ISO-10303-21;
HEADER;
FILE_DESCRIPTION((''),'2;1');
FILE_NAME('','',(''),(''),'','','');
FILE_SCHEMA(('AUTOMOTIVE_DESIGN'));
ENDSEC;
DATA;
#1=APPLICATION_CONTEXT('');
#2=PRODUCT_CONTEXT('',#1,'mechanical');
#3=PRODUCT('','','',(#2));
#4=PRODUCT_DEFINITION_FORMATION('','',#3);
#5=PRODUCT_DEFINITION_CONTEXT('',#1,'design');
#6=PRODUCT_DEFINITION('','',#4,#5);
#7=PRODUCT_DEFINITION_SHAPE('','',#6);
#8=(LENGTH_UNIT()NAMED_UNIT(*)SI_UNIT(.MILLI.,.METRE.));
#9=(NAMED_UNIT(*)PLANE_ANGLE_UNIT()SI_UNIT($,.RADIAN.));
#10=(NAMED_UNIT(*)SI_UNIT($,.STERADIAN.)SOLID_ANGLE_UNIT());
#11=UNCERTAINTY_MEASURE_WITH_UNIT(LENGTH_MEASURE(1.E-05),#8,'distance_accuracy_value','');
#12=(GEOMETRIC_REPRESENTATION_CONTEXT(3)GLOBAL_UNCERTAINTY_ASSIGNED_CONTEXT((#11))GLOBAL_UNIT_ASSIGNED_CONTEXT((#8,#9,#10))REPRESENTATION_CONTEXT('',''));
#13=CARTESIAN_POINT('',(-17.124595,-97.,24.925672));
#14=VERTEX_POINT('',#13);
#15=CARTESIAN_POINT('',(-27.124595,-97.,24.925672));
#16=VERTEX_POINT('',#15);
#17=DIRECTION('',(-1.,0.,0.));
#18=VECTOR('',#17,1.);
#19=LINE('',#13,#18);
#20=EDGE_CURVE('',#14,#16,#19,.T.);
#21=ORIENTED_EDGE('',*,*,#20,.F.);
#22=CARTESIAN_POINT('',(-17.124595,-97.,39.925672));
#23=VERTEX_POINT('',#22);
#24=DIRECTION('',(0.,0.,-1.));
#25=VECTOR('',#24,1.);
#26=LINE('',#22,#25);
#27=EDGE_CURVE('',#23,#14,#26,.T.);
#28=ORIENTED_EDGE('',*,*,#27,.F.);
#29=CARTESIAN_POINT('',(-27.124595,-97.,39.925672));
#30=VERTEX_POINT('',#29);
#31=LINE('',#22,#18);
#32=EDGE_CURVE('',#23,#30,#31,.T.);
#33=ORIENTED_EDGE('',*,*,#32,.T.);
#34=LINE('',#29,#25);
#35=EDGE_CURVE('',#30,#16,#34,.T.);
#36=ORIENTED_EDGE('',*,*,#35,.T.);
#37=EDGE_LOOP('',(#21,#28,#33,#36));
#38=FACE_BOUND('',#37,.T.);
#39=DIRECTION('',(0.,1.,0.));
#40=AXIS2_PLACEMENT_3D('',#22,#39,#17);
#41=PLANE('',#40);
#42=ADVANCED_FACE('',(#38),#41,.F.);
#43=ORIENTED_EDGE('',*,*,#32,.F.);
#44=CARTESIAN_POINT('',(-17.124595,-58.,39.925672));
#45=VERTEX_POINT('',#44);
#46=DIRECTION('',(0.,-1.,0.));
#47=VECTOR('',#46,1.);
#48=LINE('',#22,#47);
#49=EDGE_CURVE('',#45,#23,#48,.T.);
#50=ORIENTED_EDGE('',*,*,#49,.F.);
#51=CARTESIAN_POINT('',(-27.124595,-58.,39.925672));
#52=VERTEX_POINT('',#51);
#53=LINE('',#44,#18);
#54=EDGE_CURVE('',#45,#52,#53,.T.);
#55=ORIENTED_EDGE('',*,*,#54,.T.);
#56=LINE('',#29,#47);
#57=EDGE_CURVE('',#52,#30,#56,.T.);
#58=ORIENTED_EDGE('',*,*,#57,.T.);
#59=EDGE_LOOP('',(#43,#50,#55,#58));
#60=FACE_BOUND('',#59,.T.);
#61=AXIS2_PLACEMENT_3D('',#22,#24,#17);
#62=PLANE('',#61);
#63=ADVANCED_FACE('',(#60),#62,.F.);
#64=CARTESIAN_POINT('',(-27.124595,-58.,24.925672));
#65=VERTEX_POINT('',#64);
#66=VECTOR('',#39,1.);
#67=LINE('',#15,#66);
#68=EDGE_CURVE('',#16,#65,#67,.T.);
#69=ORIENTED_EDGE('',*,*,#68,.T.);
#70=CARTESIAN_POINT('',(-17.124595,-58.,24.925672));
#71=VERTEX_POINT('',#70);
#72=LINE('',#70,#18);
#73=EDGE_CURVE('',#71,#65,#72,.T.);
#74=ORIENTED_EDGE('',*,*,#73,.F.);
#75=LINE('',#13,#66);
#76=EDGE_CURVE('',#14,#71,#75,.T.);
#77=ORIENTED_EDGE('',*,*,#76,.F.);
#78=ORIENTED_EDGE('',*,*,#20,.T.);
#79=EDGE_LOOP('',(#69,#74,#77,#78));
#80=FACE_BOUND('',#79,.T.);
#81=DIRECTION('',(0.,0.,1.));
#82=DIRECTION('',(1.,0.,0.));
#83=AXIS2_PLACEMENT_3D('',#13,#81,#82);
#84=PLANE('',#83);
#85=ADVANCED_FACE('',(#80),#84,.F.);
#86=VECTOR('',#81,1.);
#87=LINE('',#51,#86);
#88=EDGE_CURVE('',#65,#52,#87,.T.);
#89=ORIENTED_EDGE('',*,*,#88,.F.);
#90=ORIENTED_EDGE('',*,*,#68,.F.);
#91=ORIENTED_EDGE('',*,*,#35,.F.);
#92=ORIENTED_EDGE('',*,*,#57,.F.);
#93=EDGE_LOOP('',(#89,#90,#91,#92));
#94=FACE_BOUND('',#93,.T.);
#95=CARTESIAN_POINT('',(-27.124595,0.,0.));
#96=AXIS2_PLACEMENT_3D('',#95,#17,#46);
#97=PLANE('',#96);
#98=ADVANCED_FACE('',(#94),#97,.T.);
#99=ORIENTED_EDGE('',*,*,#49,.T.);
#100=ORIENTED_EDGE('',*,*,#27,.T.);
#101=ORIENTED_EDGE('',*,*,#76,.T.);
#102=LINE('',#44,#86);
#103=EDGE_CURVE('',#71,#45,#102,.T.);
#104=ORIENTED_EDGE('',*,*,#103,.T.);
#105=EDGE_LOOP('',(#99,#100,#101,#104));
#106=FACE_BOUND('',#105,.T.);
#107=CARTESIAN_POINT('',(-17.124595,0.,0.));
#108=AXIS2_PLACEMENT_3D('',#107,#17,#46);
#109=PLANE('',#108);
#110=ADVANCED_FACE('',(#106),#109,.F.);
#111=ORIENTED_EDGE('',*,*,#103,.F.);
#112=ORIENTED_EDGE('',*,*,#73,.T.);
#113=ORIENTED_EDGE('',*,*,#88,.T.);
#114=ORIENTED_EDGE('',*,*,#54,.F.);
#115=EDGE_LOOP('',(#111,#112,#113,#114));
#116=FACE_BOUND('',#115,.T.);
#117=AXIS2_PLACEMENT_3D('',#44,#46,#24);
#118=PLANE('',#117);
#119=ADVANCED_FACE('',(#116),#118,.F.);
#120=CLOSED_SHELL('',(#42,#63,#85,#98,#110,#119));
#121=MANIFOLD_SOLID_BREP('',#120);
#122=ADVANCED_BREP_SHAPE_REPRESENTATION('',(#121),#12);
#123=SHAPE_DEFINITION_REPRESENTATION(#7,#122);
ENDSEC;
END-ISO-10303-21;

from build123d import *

# Parameters (mm, degrees)
SKETCH_1_W      = 15
SKETCH_1_H      = 39
EXTRUDE_1_DEPTH = 5


with BuildPart() as part:
    # 草图1 → 凸台-拉伸1 (new, symmetric)
    with BuildSketch(Plane(origin=(-22.124595338, 2e-09, -6.074327679), x_dir=(0, 0, -1), z_dir=(1, 0, 0))):
        with Locations((-38.5, -77.5)):
            Rectangle(SKETCH_1_W, SKETCH_1_H)
    extrude(amount=EXTRUDE_1_DEPTH, both=True)


solid = part.part
